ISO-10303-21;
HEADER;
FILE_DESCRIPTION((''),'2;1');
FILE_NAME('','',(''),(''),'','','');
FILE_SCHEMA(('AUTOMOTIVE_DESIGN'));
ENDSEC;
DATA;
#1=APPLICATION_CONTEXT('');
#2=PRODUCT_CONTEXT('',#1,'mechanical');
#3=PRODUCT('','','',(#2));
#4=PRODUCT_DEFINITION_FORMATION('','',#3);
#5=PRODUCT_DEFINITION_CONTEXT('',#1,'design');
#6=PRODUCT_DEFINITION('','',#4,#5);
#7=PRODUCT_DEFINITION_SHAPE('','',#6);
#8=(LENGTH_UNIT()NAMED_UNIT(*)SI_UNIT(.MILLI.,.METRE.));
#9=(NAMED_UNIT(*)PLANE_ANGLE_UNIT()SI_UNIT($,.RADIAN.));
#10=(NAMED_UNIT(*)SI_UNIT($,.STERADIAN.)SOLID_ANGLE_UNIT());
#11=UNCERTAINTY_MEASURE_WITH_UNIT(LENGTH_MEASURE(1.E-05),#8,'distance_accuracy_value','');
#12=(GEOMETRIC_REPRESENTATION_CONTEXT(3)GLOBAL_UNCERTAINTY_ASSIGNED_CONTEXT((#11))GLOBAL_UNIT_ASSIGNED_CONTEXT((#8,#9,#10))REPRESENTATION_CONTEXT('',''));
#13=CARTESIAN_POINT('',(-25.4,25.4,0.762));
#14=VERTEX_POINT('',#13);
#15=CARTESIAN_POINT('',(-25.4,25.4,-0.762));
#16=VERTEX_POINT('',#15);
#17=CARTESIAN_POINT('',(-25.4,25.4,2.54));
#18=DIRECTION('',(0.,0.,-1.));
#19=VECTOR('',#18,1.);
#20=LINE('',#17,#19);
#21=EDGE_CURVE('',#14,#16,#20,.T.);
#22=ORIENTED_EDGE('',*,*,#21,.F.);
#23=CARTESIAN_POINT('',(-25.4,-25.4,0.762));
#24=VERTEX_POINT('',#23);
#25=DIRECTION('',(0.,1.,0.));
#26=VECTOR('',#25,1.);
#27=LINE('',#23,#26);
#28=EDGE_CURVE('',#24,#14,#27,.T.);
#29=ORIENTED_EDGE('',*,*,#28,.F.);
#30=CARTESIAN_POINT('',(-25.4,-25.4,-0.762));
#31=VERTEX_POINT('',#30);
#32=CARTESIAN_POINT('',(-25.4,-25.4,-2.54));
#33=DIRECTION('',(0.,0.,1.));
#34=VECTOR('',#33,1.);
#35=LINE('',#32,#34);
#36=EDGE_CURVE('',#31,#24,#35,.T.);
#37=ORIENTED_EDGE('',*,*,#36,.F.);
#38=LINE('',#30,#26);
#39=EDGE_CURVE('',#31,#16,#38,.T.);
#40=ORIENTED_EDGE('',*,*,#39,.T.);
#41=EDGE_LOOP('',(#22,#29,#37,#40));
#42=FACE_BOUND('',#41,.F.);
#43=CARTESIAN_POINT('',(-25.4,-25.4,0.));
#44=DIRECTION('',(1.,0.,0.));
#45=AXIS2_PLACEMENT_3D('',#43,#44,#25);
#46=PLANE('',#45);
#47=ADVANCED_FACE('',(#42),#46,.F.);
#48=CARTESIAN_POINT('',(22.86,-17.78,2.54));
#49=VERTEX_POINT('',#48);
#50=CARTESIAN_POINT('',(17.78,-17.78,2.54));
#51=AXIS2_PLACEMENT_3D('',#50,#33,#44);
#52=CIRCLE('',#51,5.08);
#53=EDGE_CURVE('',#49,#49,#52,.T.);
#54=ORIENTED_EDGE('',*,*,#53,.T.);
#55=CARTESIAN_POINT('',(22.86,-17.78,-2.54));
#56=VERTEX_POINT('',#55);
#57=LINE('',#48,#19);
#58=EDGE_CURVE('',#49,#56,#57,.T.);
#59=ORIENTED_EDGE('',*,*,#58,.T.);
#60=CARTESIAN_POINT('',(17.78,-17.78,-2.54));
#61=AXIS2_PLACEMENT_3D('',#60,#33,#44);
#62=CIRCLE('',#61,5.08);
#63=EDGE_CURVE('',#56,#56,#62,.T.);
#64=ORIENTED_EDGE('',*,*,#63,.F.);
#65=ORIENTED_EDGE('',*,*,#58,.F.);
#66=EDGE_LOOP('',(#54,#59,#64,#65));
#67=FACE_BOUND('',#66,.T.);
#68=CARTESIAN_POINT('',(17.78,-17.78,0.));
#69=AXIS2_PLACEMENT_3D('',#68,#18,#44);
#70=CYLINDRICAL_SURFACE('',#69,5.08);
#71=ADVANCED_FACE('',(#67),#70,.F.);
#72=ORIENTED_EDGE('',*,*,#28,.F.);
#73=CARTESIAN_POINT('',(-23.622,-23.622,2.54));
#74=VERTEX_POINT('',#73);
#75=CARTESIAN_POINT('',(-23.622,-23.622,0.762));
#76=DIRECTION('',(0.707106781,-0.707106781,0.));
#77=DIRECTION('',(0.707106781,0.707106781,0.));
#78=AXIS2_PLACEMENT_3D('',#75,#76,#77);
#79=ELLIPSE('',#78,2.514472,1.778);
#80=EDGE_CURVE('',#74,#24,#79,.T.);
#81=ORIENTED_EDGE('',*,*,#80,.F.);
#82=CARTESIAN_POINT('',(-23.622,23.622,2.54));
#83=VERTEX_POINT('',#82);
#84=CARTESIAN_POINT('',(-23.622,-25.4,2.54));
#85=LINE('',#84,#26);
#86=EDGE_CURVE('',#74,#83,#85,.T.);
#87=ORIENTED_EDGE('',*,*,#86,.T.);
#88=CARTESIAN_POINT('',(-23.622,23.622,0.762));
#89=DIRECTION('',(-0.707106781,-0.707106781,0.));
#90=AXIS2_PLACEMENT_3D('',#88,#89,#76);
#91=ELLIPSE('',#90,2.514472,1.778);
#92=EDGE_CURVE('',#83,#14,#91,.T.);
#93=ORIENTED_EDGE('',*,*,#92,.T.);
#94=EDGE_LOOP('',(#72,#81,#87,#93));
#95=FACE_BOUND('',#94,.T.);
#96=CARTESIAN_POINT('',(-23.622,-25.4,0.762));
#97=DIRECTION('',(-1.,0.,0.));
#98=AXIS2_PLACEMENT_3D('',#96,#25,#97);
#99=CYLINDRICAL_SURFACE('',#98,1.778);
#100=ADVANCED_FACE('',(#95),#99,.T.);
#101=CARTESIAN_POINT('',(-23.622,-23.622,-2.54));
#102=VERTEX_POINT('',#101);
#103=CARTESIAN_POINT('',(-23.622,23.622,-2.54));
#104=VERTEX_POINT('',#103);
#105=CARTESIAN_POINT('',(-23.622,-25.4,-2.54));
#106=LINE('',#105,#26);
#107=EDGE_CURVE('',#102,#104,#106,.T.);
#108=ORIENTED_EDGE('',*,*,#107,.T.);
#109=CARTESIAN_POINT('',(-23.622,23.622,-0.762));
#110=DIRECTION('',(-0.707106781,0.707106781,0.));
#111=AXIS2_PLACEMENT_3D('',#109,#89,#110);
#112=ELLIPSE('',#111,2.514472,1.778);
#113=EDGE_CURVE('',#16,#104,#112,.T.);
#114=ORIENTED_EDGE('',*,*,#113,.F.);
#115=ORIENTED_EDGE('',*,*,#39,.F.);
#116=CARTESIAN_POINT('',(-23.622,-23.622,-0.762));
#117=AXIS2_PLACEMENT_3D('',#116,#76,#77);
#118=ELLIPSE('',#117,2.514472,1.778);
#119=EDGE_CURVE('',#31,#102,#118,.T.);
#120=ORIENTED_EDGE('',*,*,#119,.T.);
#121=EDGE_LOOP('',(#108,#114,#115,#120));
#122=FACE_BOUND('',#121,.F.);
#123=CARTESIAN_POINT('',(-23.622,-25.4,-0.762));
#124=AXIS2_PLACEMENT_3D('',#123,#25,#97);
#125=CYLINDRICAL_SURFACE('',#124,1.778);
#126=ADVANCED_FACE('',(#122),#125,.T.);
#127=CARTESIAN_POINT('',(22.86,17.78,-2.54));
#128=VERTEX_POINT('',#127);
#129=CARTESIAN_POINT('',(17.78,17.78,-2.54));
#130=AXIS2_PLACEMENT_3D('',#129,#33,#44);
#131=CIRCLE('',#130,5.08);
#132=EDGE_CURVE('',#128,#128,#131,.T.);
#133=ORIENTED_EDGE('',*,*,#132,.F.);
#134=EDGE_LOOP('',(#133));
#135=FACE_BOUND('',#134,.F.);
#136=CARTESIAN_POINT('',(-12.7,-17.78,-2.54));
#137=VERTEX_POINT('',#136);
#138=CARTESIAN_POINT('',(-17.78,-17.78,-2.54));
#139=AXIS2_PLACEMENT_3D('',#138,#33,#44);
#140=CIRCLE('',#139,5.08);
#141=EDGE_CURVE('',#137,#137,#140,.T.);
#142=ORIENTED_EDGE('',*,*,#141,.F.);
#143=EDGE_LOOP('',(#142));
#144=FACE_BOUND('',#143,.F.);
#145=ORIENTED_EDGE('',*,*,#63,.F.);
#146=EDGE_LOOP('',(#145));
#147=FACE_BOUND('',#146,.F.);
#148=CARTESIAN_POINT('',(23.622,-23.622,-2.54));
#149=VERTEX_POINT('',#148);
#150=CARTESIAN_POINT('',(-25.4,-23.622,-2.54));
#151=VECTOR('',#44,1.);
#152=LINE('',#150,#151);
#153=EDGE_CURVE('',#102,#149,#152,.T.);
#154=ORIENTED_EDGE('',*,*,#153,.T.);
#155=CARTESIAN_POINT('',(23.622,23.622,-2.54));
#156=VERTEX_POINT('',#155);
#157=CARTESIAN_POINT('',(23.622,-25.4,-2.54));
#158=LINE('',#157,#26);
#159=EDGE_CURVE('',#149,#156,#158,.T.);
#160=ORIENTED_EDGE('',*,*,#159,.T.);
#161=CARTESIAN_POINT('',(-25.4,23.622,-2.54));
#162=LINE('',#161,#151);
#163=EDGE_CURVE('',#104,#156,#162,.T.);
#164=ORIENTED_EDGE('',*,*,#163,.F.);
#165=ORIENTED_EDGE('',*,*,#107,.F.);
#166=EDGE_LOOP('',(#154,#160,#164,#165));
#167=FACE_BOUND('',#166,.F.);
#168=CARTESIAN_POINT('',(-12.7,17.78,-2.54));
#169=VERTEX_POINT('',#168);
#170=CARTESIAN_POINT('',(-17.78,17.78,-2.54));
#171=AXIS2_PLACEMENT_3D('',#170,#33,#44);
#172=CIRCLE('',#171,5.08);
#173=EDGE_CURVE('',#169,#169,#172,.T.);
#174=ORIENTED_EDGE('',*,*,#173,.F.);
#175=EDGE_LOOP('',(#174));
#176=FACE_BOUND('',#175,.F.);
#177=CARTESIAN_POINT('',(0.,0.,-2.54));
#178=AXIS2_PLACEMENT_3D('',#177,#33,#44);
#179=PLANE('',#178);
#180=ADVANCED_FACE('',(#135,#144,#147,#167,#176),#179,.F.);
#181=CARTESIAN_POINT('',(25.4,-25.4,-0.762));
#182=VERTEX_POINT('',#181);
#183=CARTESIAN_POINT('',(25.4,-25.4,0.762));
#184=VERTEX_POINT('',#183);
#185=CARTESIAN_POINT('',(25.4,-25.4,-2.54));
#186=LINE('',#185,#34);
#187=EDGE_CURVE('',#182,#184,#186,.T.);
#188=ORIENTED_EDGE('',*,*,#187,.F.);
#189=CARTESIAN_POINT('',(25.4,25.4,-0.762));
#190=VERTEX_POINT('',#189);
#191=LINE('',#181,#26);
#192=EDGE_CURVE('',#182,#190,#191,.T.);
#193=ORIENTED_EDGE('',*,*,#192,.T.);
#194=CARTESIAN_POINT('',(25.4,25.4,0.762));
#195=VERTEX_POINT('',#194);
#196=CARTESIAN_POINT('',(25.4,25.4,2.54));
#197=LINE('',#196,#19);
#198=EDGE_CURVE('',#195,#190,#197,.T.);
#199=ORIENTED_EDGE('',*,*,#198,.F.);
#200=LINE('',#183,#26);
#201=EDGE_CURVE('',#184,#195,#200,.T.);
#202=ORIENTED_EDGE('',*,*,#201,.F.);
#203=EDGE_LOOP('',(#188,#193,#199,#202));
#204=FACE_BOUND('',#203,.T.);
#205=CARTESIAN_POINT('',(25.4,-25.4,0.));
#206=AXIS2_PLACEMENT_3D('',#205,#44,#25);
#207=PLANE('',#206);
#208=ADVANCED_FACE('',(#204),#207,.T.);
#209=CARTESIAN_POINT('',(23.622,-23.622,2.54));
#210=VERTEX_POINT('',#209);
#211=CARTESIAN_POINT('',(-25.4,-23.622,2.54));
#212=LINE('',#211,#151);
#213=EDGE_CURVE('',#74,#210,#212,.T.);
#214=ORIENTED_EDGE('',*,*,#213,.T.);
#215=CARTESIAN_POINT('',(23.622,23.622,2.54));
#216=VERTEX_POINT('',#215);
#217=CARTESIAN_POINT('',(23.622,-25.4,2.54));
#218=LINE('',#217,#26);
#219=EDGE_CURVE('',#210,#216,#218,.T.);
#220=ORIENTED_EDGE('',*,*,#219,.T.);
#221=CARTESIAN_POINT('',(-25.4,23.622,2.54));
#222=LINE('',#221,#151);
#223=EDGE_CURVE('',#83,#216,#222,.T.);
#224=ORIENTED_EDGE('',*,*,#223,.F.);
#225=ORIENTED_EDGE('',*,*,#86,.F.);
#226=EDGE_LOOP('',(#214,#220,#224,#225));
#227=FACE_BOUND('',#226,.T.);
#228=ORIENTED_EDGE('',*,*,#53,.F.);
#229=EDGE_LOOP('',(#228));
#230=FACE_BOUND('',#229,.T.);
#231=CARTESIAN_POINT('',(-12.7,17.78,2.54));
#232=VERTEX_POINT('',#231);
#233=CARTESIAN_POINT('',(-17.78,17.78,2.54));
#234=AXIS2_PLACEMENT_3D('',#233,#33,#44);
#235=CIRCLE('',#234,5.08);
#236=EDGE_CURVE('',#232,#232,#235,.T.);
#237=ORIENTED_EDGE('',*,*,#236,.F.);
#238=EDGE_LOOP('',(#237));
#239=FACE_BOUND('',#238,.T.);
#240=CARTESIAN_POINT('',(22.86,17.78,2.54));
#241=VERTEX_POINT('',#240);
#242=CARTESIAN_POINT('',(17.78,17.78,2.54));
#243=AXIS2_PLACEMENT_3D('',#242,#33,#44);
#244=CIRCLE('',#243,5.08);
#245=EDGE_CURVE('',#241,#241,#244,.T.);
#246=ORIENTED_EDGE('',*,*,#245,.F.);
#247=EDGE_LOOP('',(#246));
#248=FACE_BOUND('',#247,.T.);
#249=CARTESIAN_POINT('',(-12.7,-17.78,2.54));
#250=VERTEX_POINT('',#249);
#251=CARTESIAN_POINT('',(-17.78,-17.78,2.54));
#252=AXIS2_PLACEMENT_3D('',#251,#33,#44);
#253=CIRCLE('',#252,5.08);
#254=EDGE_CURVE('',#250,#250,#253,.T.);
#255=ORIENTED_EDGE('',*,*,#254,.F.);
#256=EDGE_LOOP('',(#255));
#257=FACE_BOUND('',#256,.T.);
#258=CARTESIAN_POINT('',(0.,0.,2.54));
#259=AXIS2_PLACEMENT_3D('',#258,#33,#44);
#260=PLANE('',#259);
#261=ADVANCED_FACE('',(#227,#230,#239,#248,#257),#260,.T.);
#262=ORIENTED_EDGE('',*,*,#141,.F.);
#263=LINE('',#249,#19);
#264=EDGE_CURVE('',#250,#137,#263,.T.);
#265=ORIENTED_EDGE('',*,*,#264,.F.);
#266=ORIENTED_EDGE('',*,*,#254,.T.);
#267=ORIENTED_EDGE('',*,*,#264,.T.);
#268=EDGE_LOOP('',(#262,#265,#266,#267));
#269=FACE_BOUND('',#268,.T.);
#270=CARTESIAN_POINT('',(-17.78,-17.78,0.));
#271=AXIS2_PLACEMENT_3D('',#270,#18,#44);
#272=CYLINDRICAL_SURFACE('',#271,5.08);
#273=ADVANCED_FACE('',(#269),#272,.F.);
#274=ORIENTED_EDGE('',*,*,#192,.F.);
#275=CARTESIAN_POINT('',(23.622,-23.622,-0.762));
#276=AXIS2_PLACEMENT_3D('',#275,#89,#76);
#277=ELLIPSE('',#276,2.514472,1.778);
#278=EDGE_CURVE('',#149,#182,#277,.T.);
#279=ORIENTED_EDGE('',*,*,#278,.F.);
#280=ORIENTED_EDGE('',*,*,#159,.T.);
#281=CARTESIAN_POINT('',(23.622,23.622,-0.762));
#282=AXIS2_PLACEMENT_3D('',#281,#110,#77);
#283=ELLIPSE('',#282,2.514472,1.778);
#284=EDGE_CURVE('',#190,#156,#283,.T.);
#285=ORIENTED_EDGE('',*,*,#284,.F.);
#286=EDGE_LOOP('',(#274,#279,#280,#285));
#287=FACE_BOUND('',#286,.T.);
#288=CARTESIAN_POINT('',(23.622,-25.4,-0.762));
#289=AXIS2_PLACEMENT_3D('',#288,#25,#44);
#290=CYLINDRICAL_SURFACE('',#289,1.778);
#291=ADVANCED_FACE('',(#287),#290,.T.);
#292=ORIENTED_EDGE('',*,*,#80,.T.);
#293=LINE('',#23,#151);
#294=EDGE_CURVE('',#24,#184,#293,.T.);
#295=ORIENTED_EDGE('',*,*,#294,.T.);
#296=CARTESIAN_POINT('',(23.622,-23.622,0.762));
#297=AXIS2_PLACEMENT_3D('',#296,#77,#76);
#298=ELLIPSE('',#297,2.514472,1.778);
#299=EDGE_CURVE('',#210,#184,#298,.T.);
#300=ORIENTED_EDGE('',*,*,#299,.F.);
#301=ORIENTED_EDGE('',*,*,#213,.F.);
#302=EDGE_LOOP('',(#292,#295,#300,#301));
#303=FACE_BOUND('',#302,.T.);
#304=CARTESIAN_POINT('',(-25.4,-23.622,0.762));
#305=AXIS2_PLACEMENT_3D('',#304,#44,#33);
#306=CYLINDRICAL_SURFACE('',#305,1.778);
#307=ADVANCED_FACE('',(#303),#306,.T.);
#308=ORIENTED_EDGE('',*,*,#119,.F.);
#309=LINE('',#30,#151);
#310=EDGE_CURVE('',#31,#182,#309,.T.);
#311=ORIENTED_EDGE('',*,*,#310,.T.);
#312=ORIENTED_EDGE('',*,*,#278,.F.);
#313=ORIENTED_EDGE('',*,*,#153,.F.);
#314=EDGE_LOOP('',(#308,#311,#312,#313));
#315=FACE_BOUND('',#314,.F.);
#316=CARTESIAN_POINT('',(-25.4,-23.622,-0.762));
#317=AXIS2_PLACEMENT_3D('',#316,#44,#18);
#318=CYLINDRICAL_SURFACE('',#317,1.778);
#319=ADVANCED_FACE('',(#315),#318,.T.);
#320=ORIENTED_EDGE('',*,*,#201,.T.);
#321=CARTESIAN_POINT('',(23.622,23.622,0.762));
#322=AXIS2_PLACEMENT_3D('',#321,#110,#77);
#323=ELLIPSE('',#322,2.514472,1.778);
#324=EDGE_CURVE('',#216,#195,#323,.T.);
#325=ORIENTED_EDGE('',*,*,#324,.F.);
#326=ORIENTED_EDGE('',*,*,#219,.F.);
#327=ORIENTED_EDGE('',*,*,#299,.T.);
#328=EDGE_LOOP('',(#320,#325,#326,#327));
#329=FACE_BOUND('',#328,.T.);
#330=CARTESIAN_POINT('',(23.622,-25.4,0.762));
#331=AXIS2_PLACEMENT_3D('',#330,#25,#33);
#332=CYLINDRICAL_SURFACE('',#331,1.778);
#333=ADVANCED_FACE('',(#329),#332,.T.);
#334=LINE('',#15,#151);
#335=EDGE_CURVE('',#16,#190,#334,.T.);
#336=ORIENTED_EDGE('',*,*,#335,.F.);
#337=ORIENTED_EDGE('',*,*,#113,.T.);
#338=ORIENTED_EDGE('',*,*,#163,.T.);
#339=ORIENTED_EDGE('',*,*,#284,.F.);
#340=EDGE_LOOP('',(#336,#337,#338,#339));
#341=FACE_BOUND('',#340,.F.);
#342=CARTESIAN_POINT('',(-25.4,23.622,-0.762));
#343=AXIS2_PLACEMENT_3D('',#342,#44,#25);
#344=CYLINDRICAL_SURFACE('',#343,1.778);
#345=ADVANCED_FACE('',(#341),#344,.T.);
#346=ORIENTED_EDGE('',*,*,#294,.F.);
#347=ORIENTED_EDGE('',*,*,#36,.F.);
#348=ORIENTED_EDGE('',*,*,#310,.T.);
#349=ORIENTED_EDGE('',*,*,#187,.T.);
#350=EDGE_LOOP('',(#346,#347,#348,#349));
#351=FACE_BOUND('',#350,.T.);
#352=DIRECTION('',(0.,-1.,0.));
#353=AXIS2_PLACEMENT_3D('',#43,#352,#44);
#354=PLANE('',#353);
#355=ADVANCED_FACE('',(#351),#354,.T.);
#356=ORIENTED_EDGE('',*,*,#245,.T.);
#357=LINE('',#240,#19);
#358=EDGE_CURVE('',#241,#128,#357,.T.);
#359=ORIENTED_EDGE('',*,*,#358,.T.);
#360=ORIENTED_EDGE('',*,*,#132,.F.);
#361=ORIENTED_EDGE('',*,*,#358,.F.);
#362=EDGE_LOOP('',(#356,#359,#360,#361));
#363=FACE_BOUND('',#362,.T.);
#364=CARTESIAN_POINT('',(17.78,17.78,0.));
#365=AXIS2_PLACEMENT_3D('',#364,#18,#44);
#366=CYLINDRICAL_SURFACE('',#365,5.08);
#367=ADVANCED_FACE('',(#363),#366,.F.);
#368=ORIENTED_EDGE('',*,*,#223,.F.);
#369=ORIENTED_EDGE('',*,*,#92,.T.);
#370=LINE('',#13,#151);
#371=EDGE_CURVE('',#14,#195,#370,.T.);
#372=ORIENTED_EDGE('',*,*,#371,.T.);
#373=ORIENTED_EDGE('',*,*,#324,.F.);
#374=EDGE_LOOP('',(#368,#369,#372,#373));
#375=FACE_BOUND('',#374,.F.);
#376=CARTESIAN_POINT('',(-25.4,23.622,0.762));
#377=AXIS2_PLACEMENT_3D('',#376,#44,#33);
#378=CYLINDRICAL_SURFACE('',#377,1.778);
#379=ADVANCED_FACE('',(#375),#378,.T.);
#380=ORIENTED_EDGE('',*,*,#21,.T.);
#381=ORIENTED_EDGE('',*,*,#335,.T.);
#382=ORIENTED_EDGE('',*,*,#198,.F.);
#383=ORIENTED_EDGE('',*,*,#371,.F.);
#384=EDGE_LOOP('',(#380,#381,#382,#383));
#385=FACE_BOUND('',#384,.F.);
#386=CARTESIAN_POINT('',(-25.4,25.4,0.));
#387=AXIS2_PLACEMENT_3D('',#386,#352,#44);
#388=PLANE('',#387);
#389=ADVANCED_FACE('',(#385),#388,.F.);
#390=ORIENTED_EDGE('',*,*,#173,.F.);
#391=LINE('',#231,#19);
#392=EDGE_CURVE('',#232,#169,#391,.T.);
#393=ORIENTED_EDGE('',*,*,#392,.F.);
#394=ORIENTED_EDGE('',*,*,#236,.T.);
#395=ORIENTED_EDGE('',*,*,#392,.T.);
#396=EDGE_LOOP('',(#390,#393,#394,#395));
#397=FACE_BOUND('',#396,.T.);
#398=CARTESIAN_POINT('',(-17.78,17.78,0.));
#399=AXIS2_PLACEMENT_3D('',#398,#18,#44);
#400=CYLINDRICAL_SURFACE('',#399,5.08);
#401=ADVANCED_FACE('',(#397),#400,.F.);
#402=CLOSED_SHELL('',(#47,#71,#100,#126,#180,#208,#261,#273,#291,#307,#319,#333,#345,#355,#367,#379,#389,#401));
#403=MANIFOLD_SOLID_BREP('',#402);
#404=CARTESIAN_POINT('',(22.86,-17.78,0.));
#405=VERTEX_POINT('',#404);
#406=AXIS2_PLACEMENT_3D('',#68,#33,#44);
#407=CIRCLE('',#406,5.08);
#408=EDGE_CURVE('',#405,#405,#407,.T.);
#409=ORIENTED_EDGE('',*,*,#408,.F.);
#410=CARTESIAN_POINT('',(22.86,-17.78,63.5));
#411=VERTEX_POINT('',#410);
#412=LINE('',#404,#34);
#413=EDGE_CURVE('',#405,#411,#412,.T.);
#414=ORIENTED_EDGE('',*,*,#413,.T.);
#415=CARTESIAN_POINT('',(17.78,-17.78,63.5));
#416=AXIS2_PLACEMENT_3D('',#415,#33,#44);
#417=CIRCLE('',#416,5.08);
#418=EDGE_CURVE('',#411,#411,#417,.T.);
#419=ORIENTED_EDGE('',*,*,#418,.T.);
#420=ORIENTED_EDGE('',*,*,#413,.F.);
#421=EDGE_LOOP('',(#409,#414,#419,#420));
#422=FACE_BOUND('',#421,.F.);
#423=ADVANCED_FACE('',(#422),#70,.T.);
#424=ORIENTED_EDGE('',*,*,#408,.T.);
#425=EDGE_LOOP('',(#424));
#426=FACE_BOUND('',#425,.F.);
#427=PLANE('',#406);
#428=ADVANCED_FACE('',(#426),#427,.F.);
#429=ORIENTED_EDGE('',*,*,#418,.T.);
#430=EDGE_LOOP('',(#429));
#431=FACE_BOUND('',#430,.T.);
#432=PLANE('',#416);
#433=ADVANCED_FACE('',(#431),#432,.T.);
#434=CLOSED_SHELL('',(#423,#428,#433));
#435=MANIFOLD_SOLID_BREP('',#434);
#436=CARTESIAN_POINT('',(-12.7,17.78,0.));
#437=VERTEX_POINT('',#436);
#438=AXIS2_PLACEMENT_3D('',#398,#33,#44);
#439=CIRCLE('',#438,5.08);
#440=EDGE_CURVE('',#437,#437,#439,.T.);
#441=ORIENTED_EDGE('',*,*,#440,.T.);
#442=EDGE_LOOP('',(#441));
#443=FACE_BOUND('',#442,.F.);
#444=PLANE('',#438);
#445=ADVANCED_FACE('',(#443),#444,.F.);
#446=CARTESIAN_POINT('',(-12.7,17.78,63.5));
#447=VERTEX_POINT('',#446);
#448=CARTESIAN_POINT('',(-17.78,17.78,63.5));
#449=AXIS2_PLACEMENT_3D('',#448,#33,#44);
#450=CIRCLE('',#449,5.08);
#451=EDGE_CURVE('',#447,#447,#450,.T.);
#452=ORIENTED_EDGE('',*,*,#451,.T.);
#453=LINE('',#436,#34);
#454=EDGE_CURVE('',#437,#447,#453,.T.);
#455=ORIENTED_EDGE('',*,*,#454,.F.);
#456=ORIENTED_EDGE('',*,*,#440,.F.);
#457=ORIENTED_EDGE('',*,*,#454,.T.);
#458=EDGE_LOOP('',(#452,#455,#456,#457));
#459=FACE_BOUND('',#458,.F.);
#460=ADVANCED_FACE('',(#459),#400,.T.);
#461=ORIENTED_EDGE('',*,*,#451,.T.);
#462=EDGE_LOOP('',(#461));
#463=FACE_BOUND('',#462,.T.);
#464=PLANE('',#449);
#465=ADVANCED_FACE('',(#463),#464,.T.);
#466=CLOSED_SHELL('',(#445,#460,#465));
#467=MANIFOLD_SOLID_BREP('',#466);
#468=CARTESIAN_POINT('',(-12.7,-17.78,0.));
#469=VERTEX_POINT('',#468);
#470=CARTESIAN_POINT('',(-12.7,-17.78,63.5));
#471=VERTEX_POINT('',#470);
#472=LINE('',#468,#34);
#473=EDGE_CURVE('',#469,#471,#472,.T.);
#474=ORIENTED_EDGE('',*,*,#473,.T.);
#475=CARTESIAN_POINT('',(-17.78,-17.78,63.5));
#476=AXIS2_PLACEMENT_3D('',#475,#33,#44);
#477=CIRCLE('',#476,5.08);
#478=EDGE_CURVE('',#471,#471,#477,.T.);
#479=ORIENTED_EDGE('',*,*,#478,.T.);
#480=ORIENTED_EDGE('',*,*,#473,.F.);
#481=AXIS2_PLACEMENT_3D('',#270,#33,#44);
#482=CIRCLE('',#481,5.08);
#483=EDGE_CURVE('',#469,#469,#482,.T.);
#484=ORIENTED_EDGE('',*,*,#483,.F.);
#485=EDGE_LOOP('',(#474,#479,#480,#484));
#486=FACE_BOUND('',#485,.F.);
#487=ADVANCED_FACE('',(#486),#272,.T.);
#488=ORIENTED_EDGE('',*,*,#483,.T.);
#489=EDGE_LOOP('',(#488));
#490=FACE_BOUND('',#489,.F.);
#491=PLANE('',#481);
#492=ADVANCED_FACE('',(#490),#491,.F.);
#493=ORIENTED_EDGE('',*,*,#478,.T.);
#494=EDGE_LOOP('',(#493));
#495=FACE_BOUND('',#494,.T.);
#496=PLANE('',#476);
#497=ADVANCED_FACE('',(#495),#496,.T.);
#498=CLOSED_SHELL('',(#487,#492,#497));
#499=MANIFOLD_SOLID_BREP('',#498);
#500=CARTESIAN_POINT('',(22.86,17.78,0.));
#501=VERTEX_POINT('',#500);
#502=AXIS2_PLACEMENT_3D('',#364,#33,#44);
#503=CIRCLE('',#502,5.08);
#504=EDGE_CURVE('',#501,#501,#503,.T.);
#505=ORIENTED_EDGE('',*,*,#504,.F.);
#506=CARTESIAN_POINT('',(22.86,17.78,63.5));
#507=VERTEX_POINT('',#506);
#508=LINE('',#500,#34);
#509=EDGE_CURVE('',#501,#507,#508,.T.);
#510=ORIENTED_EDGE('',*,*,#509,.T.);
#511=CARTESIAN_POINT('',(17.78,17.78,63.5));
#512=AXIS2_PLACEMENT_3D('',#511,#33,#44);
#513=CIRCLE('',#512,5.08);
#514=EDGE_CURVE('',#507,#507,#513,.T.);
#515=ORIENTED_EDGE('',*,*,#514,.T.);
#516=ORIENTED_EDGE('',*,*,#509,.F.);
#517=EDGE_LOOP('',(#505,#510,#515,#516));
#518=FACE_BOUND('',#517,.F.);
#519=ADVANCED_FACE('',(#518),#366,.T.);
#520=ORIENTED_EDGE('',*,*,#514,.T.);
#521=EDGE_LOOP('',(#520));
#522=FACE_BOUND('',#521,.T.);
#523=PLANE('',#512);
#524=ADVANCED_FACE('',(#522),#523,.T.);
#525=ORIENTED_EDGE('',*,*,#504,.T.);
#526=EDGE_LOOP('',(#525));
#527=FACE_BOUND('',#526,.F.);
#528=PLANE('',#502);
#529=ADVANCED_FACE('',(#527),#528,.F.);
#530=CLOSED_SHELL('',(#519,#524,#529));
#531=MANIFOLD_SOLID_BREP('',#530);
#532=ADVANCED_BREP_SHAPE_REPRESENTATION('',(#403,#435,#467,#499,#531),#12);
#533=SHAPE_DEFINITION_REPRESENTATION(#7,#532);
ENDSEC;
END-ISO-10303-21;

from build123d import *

# Parameters (mm, degrees)
F0_R     = 5.08
F1_DEPTH = 63.5
F0_W     = 50.8
F0_H     = 50.8
F2_DEPTH = 2.54
F3_R     = 1.778


with BuildPart() as f1:
    # F0 (on Top) → F1 (new body)
    with BuildSketch(Plane.XY):
        with Locations((-17.78, 17.78)):
            Circle(F0_R)
        with Locations((17.78, 17.78)):
            Circle(F0_R)
        with Locations((17.78, -17.78)):
            Circle(F0_R)
        with Locations((-17.78, -17.78)):
            Circle(F0_R)
    extrude(amount=F1_DEPTH)


with BuildPart() as f2:
    # F0 (on Top) → F2 (new body, symmetric)
    with BuildSketch(Plane.XY):
        Rectangle(F0_W, F0_H)
        with Locations((-17.78, -17.78)):
            Circle(F0_R, mode=Mode.SUBTRACT)
        with Locations((17.78, -17.78)):
            Circle(F0_R, mode=Mode.SUBTRACT)
        with Locations((-17.78, 17.78)):
            Circle(F0_R, mode=Mode.SUBTRACT)
        with Locations((17.78, 17.78)):
            Circle(F0_R, mode=Mode.SUBTRACT)
    extrude(amount=F2_DEPTH, both=True)

    # F3
    f3_edges = [f2.edges().sort_by_distance(p)[0] for p in [
        (-25.4, 0, -2.54),
        (0, -25.4, -2.54),
        (25.4, 0, -2.54),
        (0, 25.4, -2.54),
        (0, -25.4, 2.54),
        (25.4, 0, 2.54),
        (0, 25.4, 2.54),
        (-25.4, 0, 2.54),
    ]]
    fillet(f3_edges, radius=F3_R)


solid = Compound([f1.part, f2.part])
